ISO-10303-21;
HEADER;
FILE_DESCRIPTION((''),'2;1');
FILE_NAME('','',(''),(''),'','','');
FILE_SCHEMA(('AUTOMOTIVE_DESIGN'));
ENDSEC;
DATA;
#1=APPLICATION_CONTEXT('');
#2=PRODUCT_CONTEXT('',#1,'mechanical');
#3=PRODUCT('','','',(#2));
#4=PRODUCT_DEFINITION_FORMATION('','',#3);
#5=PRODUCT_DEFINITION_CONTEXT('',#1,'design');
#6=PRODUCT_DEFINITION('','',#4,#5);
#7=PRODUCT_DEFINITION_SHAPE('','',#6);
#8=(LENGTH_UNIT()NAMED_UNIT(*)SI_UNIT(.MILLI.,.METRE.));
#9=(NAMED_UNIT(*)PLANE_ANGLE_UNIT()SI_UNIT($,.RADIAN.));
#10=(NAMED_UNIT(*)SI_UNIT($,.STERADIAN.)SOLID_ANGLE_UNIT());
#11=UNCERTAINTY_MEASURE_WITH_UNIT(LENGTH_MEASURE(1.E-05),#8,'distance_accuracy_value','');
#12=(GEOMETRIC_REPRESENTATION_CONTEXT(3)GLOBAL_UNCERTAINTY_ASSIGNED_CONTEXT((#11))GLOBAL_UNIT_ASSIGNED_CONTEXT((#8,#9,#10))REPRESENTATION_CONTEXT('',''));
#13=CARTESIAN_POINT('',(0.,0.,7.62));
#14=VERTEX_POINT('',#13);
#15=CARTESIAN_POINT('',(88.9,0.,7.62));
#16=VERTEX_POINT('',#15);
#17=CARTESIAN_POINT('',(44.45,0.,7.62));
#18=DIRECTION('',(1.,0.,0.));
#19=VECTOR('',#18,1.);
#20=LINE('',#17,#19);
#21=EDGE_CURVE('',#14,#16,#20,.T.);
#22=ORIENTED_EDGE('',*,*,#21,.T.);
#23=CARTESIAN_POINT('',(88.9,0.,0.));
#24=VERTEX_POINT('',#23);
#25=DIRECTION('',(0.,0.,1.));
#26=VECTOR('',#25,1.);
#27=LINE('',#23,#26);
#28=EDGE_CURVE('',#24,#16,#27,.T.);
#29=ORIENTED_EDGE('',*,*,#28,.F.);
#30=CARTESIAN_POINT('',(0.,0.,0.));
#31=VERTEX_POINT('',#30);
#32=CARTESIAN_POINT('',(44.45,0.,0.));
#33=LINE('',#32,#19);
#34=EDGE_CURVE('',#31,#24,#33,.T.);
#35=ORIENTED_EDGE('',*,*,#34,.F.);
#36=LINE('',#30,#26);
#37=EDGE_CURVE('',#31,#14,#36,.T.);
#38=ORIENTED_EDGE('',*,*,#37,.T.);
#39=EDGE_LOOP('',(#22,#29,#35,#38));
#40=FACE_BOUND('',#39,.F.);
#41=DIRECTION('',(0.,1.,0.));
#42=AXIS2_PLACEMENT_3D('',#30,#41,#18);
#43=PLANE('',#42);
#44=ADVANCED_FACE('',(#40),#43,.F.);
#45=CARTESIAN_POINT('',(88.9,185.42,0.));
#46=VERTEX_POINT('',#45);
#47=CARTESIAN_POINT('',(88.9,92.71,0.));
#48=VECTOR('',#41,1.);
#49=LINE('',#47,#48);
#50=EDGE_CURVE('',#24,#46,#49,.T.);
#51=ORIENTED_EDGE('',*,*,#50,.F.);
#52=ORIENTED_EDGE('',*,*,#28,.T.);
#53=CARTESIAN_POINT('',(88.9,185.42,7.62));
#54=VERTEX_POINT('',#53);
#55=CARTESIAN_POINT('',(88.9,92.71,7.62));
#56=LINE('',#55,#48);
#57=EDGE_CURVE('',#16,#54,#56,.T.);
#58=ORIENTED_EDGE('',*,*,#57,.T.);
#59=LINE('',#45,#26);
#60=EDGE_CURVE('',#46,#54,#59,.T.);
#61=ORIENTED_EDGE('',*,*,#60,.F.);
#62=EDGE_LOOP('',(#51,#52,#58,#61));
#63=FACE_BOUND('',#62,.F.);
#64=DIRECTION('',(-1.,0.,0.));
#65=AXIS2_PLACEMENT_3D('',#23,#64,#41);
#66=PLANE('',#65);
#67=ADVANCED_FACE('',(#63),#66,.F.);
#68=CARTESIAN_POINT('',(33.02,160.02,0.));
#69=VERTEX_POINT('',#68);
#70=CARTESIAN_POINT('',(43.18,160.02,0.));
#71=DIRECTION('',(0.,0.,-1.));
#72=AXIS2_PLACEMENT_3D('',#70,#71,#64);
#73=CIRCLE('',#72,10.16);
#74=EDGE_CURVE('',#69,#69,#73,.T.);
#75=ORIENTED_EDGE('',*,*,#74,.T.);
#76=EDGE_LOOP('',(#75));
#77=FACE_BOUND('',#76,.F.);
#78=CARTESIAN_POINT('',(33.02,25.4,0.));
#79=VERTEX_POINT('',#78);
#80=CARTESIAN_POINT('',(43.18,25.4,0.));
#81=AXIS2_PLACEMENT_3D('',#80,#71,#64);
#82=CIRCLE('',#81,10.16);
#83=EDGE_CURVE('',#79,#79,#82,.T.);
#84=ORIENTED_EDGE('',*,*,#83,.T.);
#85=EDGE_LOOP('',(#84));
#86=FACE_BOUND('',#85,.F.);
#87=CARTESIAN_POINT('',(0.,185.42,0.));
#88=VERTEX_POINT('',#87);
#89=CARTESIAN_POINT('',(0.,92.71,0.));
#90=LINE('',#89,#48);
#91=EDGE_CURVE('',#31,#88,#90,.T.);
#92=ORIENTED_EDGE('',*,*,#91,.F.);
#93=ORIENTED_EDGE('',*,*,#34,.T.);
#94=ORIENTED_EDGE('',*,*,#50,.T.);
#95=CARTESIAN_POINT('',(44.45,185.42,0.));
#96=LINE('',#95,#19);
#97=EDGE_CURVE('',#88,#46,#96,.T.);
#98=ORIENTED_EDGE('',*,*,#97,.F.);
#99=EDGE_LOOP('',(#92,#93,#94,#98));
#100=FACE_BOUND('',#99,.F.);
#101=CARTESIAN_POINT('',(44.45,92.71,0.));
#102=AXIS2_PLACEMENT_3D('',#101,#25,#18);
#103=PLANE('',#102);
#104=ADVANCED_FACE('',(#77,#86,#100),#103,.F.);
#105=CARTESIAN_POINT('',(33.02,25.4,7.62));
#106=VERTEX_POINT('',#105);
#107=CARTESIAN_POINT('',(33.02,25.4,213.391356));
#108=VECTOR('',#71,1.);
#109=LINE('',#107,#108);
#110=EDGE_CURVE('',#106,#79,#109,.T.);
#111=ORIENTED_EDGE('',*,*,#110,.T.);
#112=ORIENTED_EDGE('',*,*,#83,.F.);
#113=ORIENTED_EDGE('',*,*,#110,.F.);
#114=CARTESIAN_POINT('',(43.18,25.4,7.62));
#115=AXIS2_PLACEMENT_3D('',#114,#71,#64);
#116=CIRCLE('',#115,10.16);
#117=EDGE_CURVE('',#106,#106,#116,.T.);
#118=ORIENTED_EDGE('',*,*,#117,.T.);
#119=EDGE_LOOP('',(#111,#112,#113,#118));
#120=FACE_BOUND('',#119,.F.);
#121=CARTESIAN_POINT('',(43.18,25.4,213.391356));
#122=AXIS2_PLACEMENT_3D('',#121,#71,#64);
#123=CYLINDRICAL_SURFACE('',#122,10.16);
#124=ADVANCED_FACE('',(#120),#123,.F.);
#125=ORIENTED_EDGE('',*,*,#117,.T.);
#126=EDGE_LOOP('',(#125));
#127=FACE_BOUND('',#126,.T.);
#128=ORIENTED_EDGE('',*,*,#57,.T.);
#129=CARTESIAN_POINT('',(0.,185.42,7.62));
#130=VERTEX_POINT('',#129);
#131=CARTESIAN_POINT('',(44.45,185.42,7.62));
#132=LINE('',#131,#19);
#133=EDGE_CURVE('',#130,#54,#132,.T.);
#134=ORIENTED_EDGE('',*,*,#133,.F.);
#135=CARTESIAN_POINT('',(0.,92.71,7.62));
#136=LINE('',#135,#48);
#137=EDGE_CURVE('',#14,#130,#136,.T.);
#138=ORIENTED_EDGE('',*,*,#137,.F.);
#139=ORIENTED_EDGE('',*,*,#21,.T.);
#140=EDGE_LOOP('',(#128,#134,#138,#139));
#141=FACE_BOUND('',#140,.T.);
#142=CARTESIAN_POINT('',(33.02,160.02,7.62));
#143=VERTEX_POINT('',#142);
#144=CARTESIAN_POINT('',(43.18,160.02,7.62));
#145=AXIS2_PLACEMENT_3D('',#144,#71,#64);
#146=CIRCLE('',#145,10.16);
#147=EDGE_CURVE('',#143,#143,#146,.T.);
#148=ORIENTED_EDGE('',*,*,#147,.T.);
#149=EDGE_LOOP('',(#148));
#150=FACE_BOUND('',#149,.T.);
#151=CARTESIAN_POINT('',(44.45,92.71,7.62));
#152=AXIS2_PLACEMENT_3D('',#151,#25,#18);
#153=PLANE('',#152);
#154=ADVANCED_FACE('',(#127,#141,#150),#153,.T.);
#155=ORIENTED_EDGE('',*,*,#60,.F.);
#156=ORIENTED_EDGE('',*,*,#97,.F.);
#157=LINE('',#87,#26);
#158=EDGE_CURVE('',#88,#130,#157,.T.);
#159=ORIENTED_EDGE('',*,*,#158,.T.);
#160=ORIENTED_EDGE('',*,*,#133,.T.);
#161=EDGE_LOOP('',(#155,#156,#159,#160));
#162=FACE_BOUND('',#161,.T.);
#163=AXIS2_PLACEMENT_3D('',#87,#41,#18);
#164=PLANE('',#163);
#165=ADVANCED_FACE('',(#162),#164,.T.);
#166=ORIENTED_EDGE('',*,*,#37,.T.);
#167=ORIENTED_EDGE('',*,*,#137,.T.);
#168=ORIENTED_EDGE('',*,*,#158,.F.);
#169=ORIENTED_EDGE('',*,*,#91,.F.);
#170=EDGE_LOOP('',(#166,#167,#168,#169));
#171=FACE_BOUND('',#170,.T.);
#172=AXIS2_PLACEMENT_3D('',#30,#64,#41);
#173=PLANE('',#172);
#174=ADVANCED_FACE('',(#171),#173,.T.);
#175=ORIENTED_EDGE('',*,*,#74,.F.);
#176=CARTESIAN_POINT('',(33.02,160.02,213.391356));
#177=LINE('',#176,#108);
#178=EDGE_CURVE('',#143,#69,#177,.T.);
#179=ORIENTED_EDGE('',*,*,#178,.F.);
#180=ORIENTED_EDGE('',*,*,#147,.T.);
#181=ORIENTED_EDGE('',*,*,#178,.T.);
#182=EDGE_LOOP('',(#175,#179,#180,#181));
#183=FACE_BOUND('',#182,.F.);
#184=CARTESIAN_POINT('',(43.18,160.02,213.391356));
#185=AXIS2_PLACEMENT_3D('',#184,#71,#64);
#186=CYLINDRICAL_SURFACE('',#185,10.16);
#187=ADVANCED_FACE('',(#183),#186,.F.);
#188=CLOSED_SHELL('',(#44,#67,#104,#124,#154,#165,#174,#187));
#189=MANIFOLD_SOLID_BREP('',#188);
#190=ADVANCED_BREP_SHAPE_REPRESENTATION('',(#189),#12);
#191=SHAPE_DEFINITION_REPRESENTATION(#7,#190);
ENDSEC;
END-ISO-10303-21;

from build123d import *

# Parameters (mm, degrees)
F0_W     = 88.9
F0_H     = 185.42
F1_DEPTH = 7.62
F3_D     = 20.32


with BuildPart() as f1:
    # F0 (on Top) → F1 (new body)
    with BuildSketch(Plane.XY):
        with Locations((44.45, 92.71)):
            Rectangle(F0_W, F0_H)
    extrude(amount=F1_DEPTH)

    # F3 (through all)
    with Locations(Plane.XY.offset(7.62)):
        with Locations((43.18, 160.02), (43.18, 25.4)):
            Hole(F3_D / 2)


solid = f1.part
